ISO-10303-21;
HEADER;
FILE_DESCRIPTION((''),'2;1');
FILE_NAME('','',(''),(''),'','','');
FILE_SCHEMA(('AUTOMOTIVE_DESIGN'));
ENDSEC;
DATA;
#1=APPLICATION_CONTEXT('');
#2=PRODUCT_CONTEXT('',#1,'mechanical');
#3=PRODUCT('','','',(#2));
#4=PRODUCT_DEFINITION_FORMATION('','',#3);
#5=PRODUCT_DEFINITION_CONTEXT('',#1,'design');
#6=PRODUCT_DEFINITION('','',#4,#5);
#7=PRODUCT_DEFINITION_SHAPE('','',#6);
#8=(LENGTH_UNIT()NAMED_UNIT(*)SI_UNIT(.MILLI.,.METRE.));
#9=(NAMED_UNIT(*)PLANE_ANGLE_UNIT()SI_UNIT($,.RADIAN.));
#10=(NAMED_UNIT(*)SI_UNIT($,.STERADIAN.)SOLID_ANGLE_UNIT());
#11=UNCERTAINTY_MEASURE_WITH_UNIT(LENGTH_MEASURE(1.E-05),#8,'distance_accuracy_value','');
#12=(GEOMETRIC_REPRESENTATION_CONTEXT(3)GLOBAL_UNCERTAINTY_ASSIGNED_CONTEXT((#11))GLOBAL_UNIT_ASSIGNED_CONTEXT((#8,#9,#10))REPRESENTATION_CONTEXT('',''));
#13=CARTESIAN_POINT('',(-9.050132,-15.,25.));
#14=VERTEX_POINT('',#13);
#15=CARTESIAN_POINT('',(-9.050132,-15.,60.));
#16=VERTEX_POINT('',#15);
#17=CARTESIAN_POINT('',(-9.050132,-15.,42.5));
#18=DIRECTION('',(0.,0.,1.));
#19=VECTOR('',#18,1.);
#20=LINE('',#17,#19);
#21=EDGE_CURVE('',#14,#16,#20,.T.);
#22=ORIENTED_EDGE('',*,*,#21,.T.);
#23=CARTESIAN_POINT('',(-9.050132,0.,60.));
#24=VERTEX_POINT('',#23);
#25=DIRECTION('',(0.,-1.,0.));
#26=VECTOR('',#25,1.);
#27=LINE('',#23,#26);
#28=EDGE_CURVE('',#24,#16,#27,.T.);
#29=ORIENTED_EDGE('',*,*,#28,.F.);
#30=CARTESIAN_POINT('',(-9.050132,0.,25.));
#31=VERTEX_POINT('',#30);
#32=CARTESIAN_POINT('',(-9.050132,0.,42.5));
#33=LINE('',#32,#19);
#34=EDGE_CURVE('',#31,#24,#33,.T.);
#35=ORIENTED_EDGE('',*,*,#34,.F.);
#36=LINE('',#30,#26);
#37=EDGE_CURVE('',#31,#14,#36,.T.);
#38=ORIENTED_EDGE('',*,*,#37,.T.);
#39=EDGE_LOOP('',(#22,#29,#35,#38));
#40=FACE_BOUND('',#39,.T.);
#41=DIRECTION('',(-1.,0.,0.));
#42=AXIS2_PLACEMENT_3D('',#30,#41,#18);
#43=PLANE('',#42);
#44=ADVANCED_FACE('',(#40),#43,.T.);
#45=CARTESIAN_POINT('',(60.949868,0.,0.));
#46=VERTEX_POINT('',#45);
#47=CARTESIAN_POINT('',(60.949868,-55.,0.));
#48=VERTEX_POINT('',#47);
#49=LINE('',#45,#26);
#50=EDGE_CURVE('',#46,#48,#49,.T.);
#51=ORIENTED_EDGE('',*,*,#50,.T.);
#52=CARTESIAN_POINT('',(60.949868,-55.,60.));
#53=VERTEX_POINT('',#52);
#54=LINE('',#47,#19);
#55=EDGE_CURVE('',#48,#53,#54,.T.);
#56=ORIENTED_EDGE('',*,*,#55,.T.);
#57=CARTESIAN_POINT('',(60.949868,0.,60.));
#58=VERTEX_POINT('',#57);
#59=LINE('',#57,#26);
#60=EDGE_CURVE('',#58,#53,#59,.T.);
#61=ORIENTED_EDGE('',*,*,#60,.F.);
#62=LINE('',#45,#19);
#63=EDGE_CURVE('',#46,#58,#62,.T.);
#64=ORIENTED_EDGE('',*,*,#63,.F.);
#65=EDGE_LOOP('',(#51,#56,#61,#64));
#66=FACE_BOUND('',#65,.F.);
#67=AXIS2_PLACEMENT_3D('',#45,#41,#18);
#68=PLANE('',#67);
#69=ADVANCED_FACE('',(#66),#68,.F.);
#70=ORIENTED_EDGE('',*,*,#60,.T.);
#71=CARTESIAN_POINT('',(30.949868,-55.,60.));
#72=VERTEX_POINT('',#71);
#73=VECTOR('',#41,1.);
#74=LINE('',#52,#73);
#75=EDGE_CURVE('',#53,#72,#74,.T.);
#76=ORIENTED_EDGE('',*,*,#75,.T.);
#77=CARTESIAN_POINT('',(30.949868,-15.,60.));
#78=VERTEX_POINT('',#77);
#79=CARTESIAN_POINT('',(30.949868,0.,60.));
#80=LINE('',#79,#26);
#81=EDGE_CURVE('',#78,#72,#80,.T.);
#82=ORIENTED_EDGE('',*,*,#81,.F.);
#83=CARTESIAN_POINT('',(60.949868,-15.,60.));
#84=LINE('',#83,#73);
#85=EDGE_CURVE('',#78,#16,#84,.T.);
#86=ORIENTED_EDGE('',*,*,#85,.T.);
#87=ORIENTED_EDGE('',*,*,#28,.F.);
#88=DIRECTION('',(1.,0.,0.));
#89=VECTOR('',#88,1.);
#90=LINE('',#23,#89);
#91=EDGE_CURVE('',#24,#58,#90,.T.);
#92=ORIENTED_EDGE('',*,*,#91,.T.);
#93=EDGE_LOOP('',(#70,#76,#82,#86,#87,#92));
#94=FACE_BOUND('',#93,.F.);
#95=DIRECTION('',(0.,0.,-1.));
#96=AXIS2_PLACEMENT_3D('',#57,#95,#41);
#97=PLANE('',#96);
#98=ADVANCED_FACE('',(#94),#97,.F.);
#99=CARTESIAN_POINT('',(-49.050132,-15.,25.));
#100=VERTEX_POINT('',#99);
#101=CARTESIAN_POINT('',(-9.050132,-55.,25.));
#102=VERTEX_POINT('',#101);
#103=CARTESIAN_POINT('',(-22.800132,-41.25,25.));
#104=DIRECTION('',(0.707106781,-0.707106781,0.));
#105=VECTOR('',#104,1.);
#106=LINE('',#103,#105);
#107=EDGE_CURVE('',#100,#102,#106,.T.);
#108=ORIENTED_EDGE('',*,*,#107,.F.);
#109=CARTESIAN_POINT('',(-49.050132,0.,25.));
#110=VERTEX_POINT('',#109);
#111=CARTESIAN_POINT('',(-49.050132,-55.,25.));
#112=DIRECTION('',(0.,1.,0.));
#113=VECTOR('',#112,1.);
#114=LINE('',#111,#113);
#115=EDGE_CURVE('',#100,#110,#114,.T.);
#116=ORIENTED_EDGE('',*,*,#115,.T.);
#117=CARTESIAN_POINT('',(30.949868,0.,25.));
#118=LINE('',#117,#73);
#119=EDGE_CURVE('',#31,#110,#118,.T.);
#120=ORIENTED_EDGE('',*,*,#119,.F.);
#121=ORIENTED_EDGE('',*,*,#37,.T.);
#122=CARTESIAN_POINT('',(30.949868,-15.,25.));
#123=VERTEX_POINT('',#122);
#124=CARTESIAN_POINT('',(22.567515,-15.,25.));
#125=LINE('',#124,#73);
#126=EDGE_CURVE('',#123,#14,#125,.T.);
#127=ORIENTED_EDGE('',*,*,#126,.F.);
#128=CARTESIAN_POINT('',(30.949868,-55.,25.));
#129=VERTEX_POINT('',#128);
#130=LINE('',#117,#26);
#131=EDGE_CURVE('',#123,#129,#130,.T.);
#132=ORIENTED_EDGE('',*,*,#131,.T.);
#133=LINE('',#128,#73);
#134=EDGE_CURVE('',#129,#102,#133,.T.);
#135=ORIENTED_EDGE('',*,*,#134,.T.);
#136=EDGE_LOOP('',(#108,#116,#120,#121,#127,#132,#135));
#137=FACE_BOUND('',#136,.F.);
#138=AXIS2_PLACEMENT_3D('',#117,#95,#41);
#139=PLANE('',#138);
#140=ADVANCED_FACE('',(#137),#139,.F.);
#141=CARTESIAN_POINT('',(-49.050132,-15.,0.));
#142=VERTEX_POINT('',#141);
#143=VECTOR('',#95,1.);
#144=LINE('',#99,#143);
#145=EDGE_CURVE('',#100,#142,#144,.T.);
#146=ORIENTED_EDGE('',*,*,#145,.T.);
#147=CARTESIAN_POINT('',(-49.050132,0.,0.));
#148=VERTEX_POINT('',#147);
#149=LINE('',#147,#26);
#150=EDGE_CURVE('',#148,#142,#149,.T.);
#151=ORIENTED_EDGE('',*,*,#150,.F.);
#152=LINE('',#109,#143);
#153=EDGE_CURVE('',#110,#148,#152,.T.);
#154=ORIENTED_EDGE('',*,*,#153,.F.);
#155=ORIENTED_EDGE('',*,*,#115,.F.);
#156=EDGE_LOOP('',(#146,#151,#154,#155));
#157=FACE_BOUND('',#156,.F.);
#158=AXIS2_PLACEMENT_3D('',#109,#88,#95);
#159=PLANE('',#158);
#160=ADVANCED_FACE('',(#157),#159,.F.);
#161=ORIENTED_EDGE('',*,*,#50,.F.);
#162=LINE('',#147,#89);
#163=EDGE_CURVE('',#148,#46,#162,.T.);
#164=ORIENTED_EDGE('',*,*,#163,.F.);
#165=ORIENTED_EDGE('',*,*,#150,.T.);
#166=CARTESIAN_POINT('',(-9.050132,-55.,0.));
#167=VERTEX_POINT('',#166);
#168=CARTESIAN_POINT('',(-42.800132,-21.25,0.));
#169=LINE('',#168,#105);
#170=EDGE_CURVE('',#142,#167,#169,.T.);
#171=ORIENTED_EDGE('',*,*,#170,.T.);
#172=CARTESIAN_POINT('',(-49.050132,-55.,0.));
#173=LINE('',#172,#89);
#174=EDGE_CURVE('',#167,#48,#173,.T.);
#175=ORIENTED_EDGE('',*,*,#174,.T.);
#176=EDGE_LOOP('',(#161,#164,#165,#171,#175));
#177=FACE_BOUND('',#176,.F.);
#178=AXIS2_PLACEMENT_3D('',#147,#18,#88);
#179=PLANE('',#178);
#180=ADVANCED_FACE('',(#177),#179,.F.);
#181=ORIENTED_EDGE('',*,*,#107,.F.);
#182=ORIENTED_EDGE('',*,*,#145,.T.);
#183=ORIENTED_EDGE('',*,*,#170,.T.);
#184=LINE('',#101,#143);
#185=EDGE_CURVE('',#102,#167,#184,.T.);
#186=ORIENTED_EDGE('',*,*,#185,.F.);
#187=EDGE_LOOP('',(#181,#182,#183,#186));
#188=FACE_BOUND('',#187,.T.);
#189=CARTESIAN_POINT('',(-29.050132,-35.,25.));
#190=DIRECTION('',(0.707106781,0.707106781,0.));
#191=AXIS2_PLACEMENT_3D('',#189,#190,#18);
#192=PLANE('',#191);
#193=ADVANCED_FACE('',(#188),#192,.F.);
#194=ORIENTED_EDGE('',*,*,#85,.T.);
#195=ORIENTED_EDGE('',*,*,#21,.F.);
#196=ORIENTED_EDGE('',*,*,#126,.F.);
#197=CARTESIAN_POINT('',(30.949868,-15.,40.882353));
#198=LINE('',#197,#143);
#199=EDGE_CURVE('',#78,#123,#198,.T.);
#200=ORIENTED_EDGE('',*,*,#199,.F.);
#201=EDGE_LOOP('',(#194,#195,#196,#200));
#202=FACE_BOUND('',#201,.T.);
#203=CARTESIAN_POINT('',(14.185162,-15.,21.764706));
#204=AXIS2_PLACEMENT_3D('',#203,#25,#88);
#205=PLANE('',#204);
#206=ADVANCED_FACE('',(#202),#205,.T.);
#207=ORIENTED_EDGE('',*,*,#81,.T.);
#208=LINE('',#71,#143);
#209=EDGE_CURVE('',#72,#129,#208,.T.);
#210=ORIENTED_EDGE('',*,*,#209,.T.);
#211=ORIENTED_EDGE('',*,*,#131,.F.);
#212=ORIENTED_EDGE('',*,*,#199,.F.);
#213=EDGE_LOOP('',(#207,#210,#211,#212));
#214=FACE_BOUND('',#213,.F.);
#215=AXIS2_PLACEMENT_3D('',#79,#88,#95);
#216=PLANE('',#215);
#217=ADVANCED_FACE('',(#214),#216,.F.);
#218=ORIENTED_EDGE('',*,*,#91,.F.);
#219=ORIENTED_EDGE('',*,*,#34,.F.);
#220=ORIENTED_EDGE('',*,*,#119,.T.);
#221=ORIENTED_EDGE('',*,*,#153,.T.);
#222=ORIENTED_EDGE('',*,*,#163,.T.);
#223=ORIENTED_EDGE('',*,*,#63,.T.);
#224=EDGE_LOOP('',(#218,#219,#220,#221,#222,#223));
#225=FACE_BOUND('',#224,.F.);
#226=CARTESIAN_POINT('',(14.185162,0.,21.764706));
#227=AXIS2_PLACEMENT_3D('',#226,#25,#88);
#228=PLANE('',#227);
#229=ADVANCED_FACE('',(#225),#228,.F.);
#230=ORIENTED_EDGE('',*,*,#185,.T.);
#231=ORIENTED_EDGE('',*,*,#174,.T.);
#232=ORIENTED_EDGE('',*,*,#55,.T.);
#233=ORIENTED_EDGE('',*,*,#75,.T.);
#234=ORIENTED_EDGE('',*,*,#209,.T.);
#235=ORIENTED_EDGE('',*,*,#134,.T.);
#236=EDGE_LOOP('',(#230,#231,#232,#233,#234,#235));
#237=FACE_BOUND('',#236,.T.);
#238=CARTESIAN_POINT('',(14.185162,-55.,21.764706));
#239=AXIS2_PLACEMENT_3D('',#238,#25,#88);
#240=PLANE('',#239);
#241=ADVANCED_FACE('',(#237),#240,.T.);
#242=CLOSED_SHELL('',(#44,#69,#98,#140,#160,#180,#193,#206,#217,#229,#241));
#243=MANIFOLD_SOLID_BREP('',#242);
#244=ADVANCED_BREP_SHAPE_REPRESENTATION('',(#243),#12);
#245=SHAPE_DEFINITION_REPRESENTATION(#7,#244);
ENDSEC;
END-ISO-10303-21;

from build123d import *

# Parameters (mm, degrees)
F1_DEPTH = 55
F0_W     = 40
F0_H     = 35
F2_DEPTH = 15
F3_SIZE  = 40


with BuildPart() as f1:
    # F0 (on Front) → F1 (new body)
    with BuildSketch(Plane.XZ):
        Polygon((-49.050132, 25), (-49.050132, 0), (-9.050132, 0), (60.949868, 0), (60.949868, 60), (30.949868, 60), (30.949868, 25), (-9.050132, 25), align=None)
    extrude(amount=F1_DEPTH)

    # F0 (on Front) → F2 (join)
    with BuildSketch(Plane.XZ):
        Polygon((-49.050132, 25), (-49.050132, 0), (-9.050132, 0), (60.949868, 0), (60.949868, 60), (30.949868, 60), (30.949868, 25), (-9.050132, 25), align=None)
        with Locations((10.949868, 42.5)):
            Rectangle(F0_W, F0_H)
    extrude(amount=F2_DEPTH)

    # F3
    f3_edges = [f1.edges().sort_by_distance(p)[0] for p in [
        (-49.050132, -55, 12.5),
    ]]
    chamfer(f3_edges, length=F3_SIZE)


solid = f1.part
